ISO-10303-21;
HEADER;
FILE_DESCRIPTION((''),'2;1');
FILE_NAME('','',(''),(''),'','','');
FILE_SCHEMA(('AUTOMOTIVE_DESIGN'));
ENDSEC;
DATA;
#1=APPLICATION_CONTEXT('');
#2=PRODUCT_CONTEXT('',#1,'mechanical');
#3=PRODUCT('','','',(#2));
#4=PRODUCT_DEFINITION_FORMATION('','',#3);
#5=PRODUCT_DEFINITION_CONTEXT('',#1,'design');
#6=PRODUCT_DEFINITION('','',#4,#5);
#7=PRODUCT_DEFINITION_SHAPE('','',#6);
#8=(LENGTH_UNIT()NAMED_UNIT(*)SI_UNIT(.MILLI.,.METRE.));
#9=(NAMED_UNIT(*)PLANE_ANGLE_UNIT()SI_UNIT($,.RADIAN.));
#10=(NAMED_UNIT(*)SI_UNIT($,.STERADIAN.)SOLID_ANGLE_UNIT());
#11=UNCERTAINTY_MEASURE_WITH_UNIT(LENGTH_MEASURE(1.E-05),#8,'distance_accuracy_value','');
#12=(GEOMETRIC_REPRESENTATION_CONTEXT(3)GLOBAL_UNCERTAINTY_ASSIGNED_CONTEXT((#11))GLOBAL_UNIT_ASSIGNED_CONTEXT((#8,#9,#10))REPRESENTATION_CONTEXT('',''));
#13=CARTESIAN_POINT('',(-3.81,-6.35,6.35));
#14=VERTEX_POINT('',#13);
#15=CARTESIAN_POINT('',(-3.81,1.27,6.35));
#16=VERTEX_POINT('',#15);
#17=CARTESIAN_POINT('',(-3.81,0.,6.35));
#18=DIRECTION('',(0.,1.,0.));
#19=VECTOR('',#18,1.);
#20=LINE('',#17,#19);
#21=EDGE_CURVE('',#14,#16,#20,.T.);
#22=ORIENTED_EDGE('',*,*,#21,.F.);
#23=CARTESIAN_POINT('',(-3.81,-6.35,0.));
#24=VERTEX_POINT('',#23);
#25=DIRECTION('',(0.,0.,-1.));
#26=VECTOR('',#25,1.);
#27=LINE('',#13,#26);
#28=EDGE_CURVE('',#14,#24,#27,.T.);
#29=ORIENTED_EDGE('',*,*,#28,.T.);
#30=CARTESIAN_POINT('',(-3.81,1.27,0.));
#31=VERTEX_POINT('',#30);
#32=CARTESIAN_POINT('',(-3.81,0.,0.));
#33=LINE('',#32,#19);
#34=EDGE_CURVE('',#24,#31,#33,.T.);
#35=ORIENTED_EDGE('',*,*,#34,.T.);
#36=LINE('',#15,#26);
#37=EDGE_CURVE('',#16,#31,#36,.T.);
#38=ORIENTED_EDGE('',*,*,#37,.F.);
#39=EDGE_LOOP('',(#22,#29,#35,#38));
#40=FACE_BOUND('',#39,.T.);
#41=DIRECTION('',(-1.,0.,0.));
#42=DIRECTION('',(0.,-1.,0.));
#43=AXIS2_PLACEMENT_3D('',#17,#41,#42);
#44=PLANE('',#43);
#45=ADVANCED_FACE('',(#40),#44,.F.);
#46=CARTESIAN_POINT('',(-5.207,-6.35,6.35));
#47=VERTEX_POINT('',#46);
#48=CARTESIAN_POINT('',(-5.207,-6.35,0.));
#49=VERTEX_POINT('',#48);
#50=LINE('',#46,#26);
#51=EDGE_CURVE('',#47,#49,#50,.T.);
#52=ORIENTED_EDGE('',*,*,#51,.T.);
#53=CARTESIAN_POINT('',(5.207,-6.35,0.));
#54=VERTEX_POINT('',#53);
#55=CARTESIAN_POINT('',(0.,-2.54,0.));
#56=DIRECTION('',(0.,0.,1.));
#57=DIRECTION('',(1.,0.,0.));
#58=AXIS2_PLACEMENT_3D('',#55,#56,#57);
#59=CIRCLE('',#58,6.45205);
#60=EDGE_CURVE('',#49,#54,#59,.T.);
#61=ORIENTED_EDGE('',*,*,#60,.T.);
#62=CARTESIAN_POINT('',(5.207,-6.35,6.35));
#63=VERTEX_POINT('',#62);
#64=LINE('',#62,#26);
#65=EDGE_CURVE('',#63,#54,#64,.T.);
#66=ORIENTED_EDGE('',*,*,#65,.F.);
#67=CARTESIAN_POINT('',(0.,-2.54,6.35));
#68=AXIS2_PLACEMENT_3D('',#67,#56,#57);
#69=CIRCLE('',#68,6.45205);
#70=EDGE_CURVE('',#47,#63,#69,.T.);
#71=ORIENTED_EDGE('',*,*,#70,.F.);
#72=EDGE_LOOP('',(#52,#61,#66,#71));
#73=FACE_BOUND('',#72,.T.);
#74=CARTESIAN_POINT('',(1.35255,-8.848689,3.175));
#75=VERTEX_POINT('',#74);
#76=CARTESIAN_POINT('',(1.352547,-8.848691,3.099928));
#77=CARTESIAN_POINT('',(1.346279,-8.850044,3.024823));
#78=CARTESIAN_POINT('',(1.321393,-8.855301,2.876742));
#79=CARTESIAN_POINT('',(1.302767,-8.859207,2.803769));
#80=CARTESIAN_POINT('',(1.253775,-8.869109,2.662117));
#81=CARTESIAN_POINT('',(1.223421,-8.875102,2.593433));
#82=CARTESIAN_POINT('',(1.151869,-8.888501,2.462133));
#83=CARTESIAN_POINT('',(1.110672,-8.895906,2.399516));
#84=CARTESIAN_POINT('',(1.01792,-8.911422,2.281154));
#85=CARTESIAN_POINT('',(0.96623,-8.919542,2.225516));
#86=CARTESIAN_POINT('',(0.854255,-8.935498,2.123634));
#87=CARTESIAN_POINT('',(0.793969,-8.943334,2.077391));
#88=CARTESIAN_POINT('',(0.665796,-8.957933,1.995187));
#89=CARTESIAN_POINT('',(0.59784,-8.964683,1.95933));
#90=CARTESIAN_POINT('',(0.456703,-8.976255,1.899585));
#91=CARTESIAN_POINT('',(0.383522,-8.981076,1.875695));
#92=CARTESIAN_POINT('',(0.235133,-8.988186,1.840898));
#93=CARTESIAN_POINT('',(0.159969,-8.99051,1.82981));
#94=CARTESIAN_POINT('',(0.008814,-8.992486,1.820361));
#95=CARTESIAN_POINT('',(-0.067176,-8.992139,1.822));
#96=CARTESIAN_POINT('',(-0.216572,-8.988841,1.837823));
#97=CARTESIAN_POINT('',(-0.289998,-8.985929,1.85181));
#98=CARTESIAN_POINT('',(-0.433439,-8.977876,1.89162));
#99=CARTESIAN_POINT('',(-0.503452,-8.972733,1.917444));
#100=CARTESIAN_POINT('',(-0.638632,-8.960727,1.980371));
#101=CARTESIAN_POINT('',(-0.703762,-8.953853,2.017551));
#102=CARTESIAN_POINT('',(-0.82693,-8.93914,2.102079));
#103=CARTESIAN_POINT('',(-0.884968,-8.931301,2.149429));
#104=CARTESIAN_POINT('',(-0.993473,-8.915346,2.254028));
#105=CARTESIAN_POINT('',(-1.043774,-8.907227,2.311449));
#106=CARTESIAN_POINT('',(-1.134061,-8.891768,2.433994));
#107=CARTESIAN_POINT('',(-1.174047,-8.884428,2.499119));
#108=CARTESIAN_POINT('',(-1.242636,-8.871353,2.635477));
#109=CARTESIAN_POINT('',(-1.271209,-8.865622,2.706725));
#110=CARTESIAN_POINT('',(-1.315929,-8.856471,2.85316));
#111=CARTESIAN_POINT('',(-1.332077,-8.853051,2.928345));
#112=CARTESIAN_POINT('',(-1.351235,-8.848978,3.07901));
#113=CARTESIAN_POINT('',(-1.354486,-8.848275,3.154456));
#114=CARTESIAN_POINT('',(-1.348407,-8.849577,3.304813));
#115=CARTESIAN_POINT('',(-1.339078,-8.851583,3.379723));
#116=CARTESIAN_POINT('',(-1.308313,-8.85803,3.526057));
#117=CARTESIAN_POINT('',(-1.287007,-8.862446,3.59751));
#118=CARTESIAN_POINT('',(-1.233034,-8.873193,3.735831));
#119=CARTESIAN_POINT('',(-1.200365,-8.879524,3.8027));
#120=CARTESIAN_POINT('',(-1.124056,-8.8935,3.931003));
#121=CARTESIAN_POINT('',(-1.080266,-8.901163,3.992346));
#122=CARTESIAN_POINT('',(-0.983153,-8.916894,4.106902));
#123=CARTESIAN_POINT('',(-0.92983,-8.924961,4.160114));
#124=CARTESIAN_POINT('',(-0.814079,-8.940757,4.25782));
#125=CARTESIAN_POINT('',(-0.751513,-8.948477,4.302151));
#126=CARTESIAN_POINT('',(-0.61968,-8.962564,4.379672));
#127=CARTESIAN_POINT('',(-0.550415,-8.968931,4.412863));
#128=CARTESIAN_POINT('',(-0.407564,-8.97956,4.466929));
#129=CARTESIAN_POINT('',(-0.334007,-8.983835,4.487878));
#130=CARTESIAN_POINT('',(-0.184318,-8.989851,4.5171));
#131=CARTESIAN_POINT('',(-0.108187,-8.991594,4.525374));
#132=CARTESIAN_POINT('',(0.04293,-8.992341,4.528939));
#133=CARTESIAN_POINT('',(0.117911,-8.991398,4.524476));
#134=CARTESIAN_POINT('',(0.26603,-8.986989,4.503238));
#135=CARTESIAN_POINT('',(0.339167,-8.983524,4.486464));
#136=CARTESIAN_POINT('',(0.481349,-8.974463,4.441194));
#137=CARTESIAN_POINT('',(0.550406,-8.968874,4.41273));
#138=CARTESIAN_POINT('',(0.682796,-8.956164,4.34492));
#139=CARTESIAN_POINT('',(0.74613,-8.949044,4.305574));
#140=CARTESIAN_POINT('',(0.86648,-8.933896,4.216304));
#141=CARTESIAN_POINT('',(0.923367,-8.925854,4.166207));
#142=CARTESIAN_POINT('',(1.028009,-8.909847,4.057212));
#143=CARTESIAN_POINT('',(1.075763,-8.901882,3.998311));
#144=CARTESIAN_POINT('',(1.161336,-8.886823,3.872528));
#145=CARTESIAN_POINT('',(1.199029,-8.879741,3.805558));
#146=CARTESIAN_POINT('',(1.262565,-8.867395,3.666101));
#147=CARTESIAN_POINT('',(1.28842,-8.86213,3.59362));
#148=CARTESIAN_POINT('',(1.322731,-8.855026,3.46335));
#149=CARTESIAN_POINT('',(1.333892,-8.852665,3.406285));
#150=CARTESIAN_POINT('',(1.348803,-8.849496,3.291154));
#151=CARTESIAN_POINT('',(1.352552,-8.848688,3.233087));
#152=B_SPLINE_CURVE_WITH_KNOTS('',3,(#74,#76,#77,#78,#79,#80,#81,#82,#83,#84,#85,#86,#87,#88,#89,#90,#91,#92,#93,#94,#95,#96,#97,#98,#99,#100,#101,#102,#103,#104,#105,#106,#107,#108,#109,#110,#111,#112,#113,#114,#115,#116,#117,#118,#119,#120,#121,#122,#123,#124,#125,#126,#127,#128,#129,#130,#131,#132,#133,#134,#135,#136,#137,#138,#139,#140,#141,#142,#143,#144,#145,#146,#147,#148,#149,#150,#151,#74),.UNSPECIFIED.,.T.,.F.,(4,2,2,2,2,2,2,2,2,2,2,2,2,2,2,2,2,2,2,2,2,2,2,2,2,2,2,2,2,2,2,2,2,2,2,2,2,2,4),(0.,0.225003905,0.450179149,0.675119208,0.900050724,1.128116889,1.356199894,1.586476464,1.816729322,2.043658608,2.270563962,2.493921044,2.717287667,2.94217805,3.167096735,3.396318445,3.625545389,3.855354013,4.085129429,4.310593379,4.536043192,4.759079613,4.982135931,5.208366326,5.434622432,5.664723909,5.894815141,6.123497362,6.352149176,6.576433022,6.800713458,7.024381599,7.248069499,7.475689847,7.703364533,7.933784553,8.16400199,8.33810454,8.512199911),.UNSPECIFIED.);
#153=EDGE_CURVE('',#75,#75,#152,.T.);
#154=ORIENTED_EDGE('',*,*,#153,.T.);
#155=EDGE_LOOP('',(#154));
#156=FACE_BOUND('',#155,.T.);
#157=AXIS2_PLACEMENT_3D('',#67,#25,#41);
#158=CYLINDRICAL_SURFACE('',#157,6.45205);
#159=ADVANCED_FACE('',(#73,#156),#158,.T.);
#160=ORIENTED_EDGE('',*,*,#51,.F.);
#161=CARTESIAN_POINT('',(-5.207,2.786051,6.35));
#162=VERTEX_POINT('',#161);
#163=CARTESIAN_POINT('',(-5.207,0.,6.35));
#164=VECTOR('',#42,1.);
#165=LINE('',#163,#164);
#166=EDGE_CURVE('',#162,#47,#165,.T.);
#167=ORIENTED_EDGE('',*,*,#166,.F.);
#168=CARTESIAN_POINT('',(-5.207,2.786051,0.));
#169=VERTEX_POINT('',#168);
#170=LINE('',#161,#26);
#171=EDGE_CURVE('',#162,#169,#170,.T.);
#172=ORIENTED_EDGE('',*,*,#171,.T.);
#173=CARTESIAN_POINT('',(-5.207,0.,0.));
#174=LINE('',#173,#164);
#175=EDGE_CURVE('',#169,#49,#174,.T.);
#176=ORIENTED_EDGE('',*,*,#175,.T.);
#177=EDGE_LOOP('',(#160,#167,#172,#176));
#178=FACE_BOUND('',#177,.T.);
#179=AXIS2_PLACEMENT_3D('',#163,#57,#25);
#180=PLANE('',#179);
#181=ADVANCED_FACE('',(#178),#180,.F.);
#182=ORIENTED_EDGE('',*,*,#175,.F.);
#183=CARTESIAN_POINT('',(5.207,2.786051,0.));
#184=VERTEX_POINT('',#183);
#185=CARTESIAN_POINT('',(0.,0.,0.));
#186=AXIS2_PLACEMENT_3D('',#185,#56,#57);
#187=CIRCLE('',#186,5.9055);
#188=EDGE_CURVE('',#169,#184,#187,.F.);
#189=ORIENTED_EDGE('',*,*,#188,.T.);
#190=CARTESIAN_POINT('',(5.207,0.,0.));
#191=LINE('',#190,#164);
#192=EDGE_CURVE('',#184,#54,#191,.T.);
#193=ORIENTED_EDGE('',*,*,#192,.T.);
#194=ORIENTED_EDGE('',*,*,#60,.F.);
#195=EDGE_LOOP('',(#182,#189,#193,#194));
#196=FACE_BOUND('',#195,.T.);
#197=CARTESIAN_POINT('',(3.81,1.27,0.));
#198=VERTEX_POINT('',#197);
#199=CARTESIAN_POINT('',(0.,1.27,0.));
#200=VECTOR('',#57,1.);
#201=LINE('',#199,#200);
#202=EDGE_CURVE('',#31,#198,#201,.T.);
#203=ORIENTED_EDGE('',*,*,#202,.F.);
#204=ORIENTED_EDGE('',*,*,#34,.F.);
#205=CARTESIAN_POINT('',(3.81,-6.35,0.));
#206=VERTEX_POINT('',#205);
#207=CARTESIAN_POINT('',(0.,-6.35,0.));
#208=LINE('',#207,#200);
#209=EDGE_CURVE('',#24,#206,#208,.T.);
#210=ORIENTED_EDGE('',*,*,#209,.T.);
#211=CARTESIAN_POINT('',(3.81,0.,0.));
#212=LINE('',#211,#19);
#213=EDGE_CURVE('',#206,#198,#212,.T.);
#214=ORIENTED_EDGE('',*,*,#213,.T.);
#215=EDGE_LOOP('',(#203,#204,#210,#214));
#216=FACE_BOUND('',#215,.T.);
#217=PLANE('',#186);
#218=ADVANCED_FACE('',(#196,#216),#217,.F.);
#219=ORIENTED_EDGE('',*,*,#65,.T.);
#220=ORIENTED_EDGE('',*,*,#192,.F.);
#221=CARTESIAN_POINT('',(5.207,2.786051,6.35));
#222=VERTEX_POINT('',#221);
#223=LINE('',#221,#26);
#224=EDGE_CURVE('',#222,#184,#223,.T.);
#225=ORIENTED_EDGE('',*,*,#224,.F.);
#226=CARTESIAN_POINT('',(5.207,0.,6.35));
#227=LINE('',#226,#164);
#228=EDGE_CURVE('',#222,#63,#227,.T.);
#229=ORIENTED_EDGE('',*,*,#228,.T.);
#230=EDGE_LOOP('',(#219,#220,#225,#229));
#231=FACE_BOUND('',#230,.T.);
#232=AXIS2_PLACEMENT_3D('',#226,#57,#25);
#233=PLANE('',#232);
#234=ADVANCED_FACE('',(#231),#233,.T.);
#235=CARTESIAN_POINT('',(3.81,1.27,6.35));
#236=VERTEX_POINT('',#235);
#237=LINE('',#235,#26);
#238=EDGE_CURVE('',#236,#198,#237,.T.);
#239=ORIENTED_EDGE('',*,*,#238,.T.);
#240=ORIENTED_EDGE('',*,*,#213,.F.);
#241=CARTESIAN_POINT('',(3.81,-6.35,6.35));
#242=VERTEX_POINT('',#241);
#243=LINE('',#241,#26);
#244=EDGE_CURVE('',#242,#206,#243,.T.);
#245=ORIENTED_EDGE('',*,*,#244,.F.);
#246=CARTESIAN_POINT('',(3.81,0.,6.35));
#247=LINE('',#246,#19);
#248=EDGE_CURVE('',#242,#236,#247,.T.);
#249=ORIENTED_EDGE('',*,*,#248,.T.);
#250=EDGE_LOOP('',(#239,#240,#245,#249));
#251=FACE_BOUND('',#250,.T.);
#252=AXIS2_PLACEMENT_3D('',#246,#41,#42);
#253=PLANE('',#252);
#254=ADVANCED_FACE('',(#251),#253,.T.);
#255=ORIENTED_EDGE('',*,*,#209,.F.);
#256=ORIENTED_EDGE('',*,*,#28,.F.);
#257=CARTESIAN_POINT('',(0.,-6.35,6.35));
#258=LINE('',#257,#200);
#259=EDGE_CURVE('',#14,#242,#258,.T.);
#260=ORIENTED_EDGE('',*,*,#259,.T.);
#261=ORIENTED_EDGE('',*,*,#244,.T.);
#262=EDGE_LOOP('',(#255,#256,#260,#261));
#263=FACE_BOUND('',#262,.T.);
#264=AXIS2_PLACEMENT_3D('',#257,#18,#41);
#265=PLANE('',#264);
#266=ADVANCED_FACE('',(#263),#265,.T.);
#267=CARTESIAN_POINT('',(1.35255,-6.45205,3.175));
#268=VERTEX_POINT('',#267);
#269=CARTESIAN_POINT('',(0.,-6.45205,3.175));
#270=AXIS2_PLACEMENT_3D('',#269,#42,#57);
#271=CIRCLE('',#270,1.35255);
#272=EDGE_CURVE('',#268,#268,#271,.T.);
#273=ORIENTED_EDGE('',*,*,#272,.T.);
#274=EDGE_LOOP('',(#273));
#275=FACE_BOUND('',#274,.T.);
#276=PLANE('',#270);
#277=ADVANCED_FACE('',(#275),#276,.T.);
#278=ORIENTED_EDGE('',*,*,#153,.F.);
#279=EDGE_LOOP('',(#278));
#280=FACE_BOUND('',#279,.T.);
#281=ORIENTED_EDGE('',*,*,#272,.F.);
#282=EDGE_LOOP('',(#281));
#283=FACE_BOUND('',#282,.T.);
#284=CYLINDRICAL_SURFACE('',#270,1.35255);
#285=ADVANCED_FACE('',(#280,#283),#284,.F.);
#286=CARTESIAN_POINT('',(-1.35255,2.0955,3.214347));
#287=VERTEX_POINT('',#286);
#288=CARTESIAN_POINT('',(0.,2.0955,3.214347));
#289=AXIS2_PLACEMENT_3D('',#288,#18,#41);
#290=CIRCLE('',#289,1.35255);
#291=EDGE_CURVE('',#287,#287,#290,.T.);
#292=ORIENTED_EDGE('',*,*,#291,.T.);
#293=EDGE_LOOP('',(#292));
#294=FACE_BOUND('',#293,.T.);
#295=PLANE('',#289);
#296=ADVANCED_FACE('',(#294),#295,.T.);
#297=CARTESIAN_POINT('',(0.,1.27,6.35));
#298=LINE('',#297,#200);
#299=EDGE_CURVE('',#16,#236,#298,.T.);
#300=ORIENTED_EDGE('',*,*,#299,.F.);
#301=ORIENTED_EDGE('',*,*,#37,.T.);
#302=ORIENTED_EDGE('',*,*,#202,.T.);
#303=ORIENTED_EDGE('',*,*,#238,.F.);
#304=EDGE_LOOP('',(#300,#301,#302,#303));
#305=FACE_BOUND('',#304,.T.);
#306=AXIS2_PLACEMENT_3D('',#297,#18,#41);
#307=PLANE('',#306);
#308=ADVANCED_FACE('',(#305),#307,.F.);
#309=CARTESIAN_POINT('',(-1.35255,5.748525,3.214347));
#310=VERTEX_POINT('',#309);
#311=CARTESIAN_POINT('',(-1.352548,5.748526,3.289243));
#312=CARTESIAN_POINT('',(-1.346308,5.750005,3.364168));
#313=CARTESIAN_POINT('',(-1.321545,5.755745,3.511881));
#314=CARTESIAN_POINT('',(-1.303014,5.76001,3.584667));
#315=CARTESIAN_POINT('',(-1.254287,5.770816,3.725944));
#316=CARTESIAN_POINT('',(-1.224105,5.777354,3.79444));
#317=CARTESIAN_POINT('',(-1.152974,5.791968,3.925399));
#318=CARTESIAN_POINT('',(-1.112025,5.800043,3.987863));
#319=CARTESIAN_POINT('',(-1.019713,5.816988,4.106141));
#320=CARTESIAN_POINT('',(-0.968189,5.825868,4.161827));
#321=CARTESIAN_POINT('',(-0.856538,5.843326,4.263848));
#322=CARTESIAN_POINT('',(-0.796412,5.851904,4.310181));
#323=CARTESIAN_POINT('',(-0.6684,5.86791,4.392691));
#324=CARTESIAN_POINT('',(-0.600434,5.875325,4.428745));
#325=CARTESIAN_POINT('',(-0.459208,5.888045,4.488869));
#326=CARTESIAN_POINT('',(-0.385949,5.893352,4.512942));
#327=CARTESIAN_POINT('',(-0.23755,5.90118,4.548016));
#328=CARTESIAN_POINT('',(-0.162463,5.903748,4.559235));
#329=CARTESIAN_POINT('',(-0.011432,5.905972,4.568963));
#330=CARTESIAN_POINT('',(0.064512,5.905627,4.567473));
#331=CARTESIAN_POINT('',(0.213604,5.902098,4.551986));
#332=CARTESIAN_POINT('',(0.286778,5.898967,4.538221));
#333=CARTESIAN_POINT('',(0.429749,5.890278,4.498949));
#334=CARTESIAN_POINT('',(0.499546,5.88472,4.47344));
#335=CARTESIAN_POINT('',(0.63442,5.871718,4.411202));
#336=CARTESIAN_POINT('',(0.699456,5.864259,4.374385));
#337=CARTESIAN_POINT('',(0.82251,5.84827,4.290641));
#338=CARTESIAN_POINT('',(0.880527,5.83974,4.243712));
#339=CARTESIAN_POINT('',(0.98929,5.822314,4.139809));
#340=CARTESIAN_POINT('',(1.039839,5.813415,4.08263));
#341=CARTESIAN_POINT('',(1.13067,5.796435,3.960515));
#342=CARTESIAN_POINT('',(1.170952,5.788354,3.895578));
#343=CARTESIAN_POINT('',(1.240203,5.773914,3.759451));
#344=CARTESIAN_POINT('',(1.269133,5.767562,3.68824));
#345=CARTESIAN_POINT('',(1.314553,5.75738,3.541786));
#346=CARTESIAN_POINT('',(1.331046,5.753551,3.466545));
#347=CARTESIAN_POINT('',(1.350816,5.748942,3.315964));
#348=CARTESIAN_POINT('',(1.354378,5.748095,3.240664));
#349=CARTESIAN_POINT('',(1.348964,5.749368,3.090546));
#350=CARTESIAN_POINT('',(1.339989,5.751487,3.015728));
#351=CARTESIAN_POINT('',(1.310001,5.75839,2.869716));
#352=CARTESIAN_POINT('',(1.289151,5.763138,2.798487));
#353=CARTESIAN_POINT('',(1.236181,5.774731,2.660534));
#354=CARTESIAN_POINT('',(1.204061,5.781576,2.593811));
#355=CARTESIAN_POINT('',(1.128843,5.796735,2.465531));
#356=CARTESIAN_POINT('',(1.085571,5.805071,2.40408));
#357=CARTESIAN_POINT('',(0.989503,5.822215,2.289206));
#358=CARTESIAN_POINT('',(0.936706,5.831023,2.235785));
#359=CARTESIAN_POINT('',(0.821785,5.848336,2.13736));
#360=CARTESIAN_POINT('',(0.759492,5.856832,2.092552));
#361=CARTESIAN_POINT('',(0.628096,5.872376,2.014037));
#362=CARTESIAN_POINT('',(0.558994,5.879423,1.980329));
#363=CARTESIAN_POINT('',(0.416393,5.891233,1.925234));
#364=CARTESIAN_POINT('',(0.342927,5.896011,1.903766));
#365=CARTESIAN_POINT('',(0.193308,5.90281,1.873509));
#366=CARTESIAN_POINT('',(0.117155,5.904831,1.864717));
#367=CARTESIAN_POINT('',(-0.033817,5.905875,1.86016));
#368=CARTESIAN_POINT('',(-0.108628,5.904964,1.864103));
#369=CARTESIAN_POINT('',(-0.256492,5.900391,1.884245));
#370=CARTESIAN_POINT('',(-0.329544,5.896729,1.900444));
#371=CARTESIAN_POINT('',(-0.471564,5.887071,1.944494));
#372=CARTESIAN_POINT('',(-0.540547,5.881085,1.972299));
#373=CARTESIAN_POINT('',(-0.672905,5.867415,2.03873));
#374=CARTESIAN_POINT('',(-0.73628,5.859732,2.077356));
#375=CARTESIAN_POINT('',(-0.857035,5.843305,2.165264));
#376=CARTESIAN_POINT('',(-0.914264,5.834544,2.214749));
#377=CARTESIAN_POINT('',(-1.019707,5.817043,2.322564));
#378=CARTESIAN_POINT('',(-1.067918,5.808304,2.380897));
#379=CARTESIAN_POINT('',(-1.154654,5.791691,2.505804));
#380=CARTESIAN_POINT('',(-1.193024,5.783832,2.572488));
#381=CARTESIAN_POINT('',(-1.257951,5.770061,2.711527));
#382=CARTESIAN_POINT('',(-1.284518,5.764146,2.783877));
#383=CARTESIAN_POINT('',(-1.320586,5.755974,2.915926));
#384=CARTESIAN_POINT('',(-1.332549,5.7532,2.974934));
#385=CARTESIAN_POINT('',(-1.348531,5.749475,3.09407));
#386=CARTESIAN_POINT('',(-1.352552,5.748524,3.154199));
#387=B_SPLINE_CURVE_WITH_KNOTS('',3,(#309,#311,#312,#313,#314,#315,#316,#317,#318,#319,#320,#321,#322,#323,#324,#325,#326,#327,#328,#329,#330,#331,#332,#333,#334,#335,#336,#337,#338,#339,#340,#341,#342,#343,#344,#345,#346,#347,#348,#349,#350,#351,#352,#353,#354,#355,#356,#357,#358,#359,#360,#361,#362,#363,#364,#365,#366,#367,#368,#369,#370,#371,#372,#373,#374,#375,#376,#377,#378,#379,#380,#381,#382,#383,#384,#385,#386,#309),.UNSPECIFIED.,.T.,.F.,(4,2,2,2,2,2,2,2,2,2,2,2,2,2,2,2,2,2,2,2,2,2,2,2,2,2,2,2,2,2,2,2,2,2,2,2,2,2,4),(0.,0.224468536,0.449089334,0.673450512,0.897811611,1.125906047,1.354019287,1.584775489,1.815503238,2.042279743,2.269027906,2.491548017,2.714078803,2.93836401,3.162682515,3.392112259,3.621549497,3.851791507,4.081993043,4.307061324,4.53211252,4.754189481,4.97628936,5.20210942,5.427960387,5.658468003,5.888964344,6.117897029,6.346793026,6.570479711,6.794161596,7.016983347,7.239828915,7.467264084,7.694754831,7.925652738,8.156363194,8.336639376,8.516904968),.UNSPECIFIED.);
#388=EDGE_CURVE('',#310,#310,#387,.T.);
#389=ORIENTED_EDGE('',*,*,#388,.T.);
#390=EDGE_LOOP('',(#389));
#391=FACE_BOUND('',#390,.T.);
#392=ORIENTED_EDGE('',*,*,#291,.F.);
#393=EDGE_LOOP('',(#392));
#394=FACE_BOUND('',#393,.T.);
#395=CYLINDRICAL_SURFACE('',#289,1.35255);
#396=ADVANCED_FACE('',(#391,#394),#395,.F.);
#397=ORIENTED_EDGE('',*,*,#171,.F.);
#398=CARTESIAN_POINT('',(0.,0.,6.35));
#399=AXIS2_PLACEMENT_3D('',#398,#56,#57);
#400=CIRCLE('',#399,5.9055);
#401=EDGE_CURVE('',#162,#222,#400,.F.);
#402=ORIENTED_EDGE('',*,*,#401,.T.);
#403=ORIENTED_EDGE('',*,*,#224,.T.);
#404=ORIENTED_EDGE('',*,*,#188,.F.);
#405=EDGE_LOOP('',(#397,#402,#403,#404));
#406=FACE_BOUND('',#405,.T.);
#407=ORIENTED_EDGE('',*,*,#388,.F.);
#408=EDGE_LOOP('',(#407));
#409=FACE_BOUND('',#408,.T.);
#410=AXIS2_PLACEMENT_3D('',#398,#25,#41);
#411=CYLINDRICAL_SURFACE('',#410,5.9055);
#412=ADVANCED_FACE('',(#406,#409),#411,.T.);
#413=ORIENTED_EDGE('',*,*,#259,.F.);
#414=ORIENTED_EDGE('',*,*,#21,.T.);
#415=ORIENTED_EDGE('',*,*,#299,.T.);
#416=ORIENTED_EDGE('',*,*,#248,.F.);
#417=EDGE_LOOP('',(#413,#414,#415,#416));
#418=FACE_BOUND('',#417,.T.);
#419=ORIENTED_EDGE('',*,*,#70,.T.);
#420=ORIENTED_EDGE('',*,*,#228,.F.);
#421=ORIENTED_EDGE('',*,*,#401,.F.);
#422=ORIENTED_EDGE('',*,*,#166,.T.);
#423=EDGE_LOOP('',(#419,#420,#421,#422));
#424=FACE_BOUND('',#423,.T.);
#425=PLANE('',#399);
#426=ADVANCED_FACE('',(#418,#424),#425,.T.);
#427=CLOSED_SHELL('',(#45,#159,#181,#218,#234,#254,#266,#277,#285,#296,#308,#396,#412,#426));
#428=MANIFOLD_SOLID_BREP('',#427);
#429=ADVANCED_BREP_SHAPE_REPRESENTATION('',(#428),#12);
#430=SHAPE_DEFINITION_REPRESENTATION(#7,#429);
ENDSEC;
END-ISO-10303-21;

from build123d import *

# Parameters (mm, degrees)
SKETCH3_W           = 7.62
SKETCH3_H           = 7.62
BOSS_EXTRUDE2_DEPTH = 6.35
SKETCH6_R           = 1.35255
CUT_EXTRUDE1_DEPTH  = 3.81
SKETCH7_R           = 1.35255
CUT_EXTRUDE2_DEPTH  = 2.54


with BuildPart() as part:
    # Sketch3 → Boss-Extrude2 (new body)
    with BuildSketch(Plane.XY):
        with BuildLine():
            Line((-5.207, 2.786051193), (-5.207, -6.35))
            ThreePointArc((-5.207, -6.35), (0, -8.992049984), (5.207, -6.35))
            Line((5.207, -6.35), (5.207, 2.786051193))
            ThreePointArc((5.207, 2.786051193), (0, 5.9055), (-5.207, 2.786051193))
        make_face()
        with Locations((0, -2.54)):
            Rectangle(SKETCH3_W, SKETCH3_H, mode=Mode.SUBTRACT)
    extrude(amount=BOSS_EXTRUDE2_DEPTH)

    # Sketch6 → Cut-Extrude1 (cut)
    with BuildSketch(Plane(origin=(0, 5.9055, 0), x_dir=(1, 0, 0), z_dir=(0, 1, 0))):
        with Locations(Location((0, -3.214346547, 0), (0, 0, 180))):
            Circle(SKETCH6_R)
    extrude(amount=-CUT_EXTRUDE1_DEPTH, mode=Mode.SUBTRACT)

    # Sketch7 → Cut-Extrude2 (cut)
    with BuildSketch(Plane(origin=(0, -8.992049984, 0), x_dir=(-1, 0, 0), z_dir=(0, -1, 0))):
        with Locations(Location((0, -3.175, 0), (0, 0, 180))):
            Circle(SKETCH7_R)
    extrude(amount=-CUT_EXTRUDE2_DEPTH, mode=Mode.SUBTRACT)


solid = part.part
